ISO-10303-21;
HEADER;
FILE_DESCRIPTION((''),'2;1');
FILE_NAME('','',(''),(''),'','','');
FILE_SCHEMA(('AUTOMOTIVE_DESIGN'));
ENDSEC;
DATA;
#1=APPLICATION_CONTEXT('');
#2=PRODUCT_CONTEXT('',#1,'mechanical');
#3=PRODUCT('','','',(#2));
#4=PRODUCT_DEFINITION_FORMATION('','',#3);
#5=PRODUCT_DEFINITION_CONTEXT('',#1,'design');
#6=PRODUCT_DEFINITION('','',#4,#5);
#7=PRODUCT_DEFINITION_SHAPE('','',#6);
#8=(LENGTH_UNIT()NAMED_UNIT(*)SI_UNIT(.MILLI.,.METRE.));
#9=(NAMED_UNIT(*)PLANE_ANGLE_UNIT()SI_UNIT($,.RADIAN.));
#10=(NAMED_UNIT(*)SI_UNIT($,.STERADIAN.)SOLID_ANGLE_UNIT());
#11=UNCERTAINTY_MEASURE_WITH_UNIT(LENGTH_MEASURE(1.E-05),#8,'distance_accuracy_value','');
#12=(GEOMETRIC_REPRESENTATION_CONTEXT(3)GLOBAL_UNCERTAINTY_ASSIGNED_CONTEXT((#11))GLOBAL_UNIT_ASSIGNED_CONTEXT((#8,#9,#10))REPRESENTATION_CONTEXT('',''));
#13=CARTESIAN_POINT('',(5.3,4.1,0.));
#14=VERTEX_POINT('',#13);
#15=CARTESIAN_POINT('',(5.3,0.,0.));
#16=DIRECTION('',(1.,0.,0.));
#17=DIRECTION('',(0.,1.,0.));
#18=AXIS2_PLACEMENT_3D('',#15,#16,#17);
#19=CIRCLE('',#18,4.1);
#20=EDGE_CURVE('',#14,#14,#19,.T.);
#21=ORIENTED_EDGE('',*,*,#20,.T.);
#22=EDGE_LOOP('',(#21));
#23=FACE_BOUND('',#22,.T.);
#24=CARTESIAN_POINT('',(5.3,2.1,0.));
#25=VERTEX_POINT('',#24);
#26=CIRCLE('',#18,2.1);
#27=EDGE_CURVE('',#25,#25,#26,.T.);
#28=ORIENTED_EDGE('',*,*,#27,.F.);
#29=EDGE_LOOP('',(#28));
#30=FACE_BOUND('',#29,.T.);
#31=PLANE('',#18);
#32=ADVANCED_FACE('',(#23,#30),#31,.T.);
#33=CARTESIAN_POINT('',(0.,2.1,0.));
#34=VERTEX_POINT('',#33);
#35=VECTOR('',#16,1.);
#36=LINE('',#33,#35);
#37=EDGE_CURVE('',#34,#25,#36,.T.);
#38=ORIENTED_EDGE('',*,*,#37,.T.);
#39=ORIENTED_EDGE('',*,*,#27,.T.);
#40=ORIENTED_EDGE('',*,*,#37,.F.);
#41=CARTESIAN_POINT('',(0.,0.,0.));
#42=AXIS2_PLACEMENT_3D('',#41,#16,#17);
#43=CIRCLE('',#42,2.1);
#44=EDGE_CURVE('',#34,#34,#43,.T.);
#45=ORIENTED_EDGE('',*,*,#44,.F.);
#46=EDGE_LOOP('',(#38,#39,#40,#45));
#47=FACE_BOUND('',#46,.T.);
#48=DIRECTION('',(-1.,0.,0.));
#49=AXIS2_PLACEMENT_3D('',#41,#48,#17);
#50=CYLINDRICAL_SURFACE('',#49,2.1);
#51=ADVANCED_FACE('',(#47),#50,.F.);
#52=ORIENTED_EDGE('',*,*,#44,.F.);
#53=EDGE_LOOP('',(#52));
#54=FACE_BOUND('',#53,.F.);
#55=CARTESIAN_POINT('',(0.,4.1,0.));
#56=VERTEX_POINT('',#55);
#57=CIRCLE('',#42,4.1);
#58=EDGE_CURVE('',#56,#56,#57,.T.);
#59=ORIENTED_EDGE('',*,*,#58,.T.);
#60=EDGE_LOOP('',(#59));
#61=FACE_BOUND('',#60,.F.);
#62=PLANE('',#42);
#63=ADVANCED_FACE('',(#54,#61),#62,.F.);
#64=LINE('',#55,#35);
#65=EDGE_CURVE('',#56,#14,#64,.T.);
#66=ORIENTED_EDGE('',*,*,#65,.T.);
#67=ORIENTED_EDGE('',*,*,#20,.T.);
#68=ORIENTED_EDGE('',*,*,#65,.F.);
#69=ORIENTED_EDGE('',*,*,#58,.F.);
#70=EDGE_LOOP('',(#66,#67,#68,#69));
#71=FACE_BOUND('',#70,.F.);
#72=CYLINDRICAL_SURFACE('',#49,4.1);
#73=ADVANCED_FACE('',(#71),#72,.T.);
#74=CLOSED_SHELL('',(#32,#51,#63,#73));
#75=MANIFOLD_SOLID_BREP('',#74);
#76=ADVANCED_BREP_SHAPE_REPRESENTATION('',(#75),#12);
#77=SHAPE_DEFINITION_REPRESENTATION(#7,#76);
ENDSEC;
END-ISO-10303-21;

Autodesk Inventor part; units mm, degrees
ref_plane "YZ Plane" through (0, 0, 0) normal (1, 0, 0) x (0, 1, 0)
ref_plane "XZ Plane" through (0, 0, 0) normal (0, 1, 0) x (-1, 0, 0)
ref_plane "XY Plane" through (0, 0, 0) normal (0, 0, 1) x (1, 0, 0)
sketch "スケッチ1" plane through (0, 0, 0) normal (1, 0, 0) x (0, 1, 0)
  circle A0 centre (0, 0) radius 4.1
  circle A1 centre (0, 0) radius 2.1
  dimension "d1" = 4.2
  dimension "d2" = 2
extrude "押し出し1" add sketch "スケッチ1" along normal blind 5.3
properties part number "シャフト4スペーサ"
